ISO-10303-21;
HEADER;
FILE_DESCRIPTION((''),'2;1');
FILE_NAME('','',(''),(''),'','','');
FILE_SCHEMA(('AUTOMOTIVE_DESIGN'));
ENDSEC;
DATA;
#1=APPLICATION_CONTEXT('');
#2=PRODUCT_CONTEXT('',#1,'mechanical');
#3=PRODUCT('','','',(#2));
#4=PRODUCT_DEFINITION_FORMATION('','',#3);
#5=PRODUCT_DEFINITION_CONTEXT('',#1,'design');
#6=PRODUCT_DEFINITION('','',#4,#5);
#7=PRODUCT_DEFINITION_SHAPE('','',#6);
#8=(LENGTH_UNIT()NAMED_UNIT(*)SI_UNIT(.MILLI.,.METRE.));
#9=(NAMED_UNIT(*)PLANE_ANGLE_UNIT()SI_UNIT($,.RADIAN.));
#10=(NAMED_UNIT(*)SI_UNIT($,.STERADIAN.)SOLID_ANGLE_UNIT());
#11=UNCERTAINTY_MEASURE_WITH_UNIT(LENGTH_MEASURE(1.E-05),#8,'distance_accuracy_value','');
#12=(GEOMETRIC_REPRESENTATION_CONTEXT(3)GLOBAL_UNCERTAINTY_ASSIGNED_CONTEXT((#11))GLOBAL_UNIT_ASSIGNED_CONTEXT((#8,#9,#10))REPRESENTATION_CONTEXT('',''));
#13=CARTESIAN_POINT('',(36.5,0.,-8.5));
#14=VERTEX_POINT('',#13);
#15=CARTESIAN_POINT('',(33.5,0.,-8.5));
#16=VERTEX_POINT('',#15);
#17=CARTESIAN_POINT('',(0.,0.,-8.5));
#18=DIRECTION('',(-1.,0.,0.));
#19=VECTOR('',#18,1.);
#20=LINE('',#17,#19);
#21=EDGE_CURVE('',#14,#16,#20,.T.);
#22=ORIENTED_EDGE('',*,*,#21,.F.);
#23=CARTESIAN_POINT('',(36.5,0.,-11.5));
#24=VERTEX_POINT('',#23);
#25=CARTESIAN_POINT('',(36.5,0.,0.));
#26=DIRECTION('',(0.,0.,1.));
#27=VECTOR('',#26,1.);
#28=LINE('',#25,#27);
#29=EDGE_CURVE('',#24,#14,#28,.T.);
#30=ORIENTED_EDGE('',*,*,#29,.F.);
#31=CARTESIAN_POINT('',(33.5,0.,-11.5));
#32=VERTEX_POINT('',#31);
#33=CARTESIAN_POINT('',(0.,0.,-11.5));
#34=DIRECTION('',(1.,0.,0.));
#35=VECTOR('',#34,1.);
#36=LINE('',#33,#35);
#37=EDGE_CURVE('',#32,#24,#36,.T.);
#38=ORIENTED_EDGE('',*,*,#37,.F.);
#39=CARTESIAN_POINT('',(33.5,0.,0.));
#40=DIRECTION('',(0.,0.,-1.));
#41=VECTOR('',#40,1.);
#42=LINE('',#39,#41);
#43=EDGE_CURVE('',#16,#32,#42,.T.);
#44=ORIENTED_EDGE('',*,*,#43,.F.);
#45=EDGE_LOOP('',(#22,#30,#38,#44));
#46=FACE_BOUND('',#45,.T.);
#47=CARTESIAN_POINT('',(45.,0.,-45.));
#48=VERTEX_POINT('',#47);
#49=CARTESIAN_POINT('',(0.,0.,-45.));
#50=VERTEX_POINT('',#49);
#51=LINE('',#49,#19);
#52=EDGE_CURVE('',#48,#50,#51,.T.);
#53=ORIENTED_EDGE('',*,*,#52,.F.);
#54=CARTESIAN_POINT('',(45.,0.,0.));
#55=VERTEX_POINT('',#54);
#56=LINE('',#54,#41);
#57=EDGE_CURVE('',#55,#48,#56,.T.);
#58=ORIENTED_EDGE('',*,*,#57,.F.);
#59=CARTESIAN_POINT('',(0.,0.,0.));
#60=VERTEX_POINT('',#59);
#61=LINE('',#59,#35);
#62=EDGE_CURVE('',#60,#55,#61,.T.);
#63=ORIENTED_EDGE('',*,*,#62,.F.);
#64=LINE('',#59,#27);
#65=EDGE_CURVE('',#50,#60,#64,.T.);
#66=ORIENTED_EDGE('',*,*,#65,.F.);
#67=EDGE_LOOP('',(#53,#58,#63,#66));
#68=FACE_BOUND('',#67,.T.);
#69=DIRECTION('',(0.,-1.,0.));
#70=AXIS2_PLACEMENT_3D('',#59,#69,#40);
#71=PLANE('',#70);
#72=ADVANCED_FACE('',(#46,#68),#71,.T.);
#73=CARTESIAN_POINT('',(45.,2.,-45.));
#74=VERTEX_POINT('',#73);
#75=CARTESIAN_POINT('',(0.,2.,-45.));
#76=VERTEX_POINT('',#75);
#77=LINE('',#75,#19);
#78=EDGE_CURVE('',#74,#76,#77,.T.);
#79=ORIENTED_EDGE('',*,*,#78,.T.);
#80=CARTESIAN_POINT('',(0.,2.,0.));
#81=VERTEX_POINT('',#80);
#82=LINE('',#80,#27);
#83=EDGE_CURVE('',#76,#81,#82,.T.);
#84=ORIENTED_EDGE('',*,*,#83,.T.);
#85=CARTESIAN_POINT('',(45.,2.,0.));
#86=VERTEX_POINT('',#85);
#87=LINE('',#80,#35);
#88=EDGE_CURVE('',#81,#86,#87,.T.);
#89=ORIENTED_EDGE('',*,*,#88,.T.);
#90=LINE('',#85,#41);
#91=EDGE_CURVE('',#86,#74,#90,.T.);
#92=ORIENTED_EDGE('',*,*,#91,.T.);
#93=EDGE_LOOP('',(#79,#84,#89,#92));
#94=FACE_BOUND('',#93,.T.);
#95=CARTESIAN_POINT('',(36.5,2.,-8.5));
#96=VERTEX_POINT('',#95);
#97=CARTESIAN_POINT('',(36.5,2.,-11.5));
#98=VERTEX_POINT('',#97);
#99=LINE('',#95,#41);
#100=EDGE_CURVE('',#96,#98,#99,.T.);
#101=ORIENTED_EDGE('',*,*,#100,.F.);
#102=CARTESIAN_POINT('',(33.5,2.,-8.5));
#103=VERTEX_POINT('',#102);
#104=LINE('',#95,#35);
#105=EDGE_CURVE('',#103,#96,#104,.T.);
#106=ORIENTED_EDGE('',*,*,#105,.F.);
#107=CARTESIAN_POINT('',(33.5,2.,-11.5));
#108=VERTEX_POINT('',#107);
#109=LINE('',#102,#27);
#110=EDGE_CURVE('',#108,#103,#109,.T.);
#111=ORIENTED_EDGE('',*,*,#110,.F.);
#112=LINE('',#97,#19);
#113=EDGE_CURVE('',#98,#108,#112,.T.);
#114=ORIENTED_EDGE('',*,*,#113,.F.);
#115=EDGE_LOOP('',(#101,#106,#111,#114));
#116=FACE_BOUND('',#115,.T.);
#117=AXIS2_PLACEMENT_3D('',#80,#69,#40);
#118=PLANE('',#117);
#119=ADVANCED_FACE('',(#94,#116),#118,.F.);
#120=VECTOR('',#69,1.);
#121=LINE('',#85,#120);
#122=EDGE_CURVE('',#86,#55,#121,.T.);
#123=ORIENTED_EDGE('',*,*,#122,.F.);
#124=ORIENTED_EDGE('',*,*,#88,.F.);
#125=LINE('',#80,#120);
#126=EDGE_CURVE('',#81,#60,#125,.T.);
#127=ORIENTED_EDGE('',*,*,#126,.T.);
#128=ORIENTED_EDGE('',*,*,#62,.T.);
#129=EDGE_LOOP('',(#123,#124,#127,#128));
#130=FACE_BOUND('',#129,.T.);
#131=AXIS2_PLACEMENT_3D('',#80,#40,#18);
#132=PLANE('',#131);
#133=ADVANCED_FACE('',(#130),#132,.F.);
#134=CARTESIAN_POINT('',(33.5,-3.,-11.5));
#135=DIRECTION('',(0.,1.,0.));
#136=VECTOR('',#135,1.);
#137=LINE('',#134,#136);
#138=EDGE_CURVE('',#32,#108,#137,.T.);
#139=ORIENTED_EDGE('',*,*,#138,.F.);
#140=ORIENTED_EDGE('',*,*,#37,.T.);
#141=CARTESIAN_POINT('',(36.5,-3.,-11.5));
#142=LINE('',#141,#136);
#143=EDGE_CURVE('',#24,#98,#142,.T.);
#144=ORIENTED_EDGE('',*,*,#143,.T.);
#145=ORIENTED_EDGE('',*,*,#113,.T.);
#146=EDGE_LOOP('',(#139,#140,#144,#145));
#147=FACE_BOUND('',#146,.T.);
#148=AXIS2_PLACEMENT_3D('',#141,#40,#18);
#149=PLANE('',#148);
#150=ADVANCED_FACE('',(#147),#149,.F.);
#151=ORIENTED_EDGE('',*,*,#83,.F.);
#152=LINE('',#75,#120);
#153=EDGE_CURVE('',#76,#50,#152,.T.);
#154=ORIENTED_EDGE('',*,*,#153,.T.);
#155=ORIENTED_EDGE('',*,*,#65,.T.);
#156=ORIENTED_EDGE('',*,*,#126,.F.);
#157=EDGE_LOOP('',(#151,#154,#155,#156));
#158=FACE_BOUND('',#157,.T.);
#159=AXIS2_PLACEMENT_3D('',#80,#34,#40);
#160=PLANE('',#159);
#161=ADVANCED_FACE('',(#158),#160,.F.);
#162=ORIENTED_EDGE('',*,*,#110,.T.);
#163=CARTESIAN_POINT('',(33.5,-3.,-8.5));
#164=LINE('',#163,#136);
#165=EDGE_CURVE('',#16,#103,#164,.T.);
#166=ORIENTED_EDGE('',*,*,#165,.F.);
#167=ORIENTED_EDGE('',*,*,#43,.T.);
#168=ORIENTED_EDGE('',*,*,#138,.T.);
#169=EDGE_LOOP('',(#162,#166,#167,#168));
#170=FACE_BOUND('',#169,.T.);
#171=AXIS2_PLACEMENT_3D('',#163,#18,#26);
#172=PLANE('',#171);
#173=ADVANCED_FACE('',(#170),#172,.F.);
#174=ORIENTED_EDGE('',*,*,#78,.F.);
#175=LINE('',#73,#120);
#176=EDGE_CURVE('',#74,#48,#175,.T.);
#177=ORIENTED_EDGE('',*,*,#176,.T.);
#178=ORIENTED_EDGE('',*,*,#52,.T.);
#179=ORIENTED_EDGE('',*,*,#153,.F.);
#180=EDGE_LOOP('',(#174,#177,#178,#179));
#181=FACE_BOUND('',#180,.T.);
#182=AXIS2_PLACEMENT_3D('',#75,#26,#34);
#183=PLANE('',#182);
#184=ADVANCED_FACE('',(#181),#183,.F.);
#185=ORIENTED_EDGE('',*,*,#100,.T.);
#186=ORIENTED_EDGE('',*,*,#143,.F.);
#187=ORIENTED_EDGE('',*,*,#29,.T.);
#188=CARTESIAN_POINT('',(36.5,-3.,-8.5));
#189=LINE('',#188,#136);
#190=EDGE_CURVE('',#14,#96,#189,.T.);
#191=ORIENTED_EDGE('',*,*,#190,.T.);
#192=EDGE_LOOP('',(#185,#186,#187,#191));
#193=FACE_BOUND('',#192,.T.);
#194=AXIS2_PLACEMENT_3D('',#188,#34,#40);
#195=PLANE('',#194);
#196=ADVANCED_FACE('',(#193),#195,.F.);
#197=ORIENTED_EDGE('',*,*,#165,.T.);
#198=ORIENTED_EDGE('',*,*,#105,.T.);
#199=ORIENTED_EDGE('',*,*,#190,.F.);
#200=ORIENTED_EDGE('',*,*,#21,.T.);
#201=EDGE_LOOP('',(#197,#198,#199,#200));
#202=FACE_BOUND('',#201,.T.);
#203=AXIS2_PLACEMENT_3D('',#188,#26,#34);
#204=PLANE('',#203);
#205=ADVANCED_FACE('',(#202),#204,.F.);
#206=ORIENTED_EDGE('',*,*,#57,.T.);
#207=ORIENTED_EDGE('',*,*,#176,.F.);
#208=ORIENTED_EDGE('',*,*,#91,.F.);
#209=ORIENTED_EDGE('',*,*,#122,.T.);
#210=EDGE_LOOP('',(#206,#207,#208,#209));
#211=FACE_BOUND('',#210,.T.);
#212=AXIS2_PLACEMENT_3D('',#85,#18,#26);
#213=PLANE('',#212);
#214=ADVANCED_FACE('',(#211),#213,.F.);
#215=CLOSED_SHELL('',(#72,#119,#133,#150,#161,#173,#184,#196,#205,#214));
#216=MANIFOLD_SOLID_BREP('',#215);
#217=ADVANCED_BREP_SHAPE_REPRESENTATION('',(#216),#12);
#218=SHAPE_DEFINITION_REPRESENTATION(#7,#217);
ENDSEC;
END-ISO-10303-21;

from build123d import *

# Parameters (mm, degrees)
CROQUIS1_W              = 45
CROQUIS1_H              = 45
SALIENTE_EXTRUIR1_DEPTH = 2
CROQUIS2_W              = 3
CROQUIS2_H              = 3
CORTAR_EXTRUIR1_DEPTH   = 5


with BuildPart() as part:
    # Croquis1 → Saliente-Extruir1 (new body)
    with BuildSketch(Plane(origin=(0, 0, 0), x_dir=(1, 0, 0), z_dir=(0, 1, 0))):
        with Locations((22.5, 22.5)):
            Rectangle(CROQUIS1_W, CROQUIS1_H)
    extrude(amount=SALIENTE_EXTRUIR1_DEPTH)

    # Croquis2 → Cortar-Extruir1 (cut)
    with BuildSketch(Plane(origin=(0, 2, 0), x_dir=(1, 0, 0), z_dir=(0, 1, 0))):
        with Locations((35, 10)):
            Rectangle(CROQUIS2_W, CROQUIS2_H)
    extrude(amount=-CORTAR_EXTRUIR1_DEPTH, mode=Mode.SUBTRACT)


solid = part.part
